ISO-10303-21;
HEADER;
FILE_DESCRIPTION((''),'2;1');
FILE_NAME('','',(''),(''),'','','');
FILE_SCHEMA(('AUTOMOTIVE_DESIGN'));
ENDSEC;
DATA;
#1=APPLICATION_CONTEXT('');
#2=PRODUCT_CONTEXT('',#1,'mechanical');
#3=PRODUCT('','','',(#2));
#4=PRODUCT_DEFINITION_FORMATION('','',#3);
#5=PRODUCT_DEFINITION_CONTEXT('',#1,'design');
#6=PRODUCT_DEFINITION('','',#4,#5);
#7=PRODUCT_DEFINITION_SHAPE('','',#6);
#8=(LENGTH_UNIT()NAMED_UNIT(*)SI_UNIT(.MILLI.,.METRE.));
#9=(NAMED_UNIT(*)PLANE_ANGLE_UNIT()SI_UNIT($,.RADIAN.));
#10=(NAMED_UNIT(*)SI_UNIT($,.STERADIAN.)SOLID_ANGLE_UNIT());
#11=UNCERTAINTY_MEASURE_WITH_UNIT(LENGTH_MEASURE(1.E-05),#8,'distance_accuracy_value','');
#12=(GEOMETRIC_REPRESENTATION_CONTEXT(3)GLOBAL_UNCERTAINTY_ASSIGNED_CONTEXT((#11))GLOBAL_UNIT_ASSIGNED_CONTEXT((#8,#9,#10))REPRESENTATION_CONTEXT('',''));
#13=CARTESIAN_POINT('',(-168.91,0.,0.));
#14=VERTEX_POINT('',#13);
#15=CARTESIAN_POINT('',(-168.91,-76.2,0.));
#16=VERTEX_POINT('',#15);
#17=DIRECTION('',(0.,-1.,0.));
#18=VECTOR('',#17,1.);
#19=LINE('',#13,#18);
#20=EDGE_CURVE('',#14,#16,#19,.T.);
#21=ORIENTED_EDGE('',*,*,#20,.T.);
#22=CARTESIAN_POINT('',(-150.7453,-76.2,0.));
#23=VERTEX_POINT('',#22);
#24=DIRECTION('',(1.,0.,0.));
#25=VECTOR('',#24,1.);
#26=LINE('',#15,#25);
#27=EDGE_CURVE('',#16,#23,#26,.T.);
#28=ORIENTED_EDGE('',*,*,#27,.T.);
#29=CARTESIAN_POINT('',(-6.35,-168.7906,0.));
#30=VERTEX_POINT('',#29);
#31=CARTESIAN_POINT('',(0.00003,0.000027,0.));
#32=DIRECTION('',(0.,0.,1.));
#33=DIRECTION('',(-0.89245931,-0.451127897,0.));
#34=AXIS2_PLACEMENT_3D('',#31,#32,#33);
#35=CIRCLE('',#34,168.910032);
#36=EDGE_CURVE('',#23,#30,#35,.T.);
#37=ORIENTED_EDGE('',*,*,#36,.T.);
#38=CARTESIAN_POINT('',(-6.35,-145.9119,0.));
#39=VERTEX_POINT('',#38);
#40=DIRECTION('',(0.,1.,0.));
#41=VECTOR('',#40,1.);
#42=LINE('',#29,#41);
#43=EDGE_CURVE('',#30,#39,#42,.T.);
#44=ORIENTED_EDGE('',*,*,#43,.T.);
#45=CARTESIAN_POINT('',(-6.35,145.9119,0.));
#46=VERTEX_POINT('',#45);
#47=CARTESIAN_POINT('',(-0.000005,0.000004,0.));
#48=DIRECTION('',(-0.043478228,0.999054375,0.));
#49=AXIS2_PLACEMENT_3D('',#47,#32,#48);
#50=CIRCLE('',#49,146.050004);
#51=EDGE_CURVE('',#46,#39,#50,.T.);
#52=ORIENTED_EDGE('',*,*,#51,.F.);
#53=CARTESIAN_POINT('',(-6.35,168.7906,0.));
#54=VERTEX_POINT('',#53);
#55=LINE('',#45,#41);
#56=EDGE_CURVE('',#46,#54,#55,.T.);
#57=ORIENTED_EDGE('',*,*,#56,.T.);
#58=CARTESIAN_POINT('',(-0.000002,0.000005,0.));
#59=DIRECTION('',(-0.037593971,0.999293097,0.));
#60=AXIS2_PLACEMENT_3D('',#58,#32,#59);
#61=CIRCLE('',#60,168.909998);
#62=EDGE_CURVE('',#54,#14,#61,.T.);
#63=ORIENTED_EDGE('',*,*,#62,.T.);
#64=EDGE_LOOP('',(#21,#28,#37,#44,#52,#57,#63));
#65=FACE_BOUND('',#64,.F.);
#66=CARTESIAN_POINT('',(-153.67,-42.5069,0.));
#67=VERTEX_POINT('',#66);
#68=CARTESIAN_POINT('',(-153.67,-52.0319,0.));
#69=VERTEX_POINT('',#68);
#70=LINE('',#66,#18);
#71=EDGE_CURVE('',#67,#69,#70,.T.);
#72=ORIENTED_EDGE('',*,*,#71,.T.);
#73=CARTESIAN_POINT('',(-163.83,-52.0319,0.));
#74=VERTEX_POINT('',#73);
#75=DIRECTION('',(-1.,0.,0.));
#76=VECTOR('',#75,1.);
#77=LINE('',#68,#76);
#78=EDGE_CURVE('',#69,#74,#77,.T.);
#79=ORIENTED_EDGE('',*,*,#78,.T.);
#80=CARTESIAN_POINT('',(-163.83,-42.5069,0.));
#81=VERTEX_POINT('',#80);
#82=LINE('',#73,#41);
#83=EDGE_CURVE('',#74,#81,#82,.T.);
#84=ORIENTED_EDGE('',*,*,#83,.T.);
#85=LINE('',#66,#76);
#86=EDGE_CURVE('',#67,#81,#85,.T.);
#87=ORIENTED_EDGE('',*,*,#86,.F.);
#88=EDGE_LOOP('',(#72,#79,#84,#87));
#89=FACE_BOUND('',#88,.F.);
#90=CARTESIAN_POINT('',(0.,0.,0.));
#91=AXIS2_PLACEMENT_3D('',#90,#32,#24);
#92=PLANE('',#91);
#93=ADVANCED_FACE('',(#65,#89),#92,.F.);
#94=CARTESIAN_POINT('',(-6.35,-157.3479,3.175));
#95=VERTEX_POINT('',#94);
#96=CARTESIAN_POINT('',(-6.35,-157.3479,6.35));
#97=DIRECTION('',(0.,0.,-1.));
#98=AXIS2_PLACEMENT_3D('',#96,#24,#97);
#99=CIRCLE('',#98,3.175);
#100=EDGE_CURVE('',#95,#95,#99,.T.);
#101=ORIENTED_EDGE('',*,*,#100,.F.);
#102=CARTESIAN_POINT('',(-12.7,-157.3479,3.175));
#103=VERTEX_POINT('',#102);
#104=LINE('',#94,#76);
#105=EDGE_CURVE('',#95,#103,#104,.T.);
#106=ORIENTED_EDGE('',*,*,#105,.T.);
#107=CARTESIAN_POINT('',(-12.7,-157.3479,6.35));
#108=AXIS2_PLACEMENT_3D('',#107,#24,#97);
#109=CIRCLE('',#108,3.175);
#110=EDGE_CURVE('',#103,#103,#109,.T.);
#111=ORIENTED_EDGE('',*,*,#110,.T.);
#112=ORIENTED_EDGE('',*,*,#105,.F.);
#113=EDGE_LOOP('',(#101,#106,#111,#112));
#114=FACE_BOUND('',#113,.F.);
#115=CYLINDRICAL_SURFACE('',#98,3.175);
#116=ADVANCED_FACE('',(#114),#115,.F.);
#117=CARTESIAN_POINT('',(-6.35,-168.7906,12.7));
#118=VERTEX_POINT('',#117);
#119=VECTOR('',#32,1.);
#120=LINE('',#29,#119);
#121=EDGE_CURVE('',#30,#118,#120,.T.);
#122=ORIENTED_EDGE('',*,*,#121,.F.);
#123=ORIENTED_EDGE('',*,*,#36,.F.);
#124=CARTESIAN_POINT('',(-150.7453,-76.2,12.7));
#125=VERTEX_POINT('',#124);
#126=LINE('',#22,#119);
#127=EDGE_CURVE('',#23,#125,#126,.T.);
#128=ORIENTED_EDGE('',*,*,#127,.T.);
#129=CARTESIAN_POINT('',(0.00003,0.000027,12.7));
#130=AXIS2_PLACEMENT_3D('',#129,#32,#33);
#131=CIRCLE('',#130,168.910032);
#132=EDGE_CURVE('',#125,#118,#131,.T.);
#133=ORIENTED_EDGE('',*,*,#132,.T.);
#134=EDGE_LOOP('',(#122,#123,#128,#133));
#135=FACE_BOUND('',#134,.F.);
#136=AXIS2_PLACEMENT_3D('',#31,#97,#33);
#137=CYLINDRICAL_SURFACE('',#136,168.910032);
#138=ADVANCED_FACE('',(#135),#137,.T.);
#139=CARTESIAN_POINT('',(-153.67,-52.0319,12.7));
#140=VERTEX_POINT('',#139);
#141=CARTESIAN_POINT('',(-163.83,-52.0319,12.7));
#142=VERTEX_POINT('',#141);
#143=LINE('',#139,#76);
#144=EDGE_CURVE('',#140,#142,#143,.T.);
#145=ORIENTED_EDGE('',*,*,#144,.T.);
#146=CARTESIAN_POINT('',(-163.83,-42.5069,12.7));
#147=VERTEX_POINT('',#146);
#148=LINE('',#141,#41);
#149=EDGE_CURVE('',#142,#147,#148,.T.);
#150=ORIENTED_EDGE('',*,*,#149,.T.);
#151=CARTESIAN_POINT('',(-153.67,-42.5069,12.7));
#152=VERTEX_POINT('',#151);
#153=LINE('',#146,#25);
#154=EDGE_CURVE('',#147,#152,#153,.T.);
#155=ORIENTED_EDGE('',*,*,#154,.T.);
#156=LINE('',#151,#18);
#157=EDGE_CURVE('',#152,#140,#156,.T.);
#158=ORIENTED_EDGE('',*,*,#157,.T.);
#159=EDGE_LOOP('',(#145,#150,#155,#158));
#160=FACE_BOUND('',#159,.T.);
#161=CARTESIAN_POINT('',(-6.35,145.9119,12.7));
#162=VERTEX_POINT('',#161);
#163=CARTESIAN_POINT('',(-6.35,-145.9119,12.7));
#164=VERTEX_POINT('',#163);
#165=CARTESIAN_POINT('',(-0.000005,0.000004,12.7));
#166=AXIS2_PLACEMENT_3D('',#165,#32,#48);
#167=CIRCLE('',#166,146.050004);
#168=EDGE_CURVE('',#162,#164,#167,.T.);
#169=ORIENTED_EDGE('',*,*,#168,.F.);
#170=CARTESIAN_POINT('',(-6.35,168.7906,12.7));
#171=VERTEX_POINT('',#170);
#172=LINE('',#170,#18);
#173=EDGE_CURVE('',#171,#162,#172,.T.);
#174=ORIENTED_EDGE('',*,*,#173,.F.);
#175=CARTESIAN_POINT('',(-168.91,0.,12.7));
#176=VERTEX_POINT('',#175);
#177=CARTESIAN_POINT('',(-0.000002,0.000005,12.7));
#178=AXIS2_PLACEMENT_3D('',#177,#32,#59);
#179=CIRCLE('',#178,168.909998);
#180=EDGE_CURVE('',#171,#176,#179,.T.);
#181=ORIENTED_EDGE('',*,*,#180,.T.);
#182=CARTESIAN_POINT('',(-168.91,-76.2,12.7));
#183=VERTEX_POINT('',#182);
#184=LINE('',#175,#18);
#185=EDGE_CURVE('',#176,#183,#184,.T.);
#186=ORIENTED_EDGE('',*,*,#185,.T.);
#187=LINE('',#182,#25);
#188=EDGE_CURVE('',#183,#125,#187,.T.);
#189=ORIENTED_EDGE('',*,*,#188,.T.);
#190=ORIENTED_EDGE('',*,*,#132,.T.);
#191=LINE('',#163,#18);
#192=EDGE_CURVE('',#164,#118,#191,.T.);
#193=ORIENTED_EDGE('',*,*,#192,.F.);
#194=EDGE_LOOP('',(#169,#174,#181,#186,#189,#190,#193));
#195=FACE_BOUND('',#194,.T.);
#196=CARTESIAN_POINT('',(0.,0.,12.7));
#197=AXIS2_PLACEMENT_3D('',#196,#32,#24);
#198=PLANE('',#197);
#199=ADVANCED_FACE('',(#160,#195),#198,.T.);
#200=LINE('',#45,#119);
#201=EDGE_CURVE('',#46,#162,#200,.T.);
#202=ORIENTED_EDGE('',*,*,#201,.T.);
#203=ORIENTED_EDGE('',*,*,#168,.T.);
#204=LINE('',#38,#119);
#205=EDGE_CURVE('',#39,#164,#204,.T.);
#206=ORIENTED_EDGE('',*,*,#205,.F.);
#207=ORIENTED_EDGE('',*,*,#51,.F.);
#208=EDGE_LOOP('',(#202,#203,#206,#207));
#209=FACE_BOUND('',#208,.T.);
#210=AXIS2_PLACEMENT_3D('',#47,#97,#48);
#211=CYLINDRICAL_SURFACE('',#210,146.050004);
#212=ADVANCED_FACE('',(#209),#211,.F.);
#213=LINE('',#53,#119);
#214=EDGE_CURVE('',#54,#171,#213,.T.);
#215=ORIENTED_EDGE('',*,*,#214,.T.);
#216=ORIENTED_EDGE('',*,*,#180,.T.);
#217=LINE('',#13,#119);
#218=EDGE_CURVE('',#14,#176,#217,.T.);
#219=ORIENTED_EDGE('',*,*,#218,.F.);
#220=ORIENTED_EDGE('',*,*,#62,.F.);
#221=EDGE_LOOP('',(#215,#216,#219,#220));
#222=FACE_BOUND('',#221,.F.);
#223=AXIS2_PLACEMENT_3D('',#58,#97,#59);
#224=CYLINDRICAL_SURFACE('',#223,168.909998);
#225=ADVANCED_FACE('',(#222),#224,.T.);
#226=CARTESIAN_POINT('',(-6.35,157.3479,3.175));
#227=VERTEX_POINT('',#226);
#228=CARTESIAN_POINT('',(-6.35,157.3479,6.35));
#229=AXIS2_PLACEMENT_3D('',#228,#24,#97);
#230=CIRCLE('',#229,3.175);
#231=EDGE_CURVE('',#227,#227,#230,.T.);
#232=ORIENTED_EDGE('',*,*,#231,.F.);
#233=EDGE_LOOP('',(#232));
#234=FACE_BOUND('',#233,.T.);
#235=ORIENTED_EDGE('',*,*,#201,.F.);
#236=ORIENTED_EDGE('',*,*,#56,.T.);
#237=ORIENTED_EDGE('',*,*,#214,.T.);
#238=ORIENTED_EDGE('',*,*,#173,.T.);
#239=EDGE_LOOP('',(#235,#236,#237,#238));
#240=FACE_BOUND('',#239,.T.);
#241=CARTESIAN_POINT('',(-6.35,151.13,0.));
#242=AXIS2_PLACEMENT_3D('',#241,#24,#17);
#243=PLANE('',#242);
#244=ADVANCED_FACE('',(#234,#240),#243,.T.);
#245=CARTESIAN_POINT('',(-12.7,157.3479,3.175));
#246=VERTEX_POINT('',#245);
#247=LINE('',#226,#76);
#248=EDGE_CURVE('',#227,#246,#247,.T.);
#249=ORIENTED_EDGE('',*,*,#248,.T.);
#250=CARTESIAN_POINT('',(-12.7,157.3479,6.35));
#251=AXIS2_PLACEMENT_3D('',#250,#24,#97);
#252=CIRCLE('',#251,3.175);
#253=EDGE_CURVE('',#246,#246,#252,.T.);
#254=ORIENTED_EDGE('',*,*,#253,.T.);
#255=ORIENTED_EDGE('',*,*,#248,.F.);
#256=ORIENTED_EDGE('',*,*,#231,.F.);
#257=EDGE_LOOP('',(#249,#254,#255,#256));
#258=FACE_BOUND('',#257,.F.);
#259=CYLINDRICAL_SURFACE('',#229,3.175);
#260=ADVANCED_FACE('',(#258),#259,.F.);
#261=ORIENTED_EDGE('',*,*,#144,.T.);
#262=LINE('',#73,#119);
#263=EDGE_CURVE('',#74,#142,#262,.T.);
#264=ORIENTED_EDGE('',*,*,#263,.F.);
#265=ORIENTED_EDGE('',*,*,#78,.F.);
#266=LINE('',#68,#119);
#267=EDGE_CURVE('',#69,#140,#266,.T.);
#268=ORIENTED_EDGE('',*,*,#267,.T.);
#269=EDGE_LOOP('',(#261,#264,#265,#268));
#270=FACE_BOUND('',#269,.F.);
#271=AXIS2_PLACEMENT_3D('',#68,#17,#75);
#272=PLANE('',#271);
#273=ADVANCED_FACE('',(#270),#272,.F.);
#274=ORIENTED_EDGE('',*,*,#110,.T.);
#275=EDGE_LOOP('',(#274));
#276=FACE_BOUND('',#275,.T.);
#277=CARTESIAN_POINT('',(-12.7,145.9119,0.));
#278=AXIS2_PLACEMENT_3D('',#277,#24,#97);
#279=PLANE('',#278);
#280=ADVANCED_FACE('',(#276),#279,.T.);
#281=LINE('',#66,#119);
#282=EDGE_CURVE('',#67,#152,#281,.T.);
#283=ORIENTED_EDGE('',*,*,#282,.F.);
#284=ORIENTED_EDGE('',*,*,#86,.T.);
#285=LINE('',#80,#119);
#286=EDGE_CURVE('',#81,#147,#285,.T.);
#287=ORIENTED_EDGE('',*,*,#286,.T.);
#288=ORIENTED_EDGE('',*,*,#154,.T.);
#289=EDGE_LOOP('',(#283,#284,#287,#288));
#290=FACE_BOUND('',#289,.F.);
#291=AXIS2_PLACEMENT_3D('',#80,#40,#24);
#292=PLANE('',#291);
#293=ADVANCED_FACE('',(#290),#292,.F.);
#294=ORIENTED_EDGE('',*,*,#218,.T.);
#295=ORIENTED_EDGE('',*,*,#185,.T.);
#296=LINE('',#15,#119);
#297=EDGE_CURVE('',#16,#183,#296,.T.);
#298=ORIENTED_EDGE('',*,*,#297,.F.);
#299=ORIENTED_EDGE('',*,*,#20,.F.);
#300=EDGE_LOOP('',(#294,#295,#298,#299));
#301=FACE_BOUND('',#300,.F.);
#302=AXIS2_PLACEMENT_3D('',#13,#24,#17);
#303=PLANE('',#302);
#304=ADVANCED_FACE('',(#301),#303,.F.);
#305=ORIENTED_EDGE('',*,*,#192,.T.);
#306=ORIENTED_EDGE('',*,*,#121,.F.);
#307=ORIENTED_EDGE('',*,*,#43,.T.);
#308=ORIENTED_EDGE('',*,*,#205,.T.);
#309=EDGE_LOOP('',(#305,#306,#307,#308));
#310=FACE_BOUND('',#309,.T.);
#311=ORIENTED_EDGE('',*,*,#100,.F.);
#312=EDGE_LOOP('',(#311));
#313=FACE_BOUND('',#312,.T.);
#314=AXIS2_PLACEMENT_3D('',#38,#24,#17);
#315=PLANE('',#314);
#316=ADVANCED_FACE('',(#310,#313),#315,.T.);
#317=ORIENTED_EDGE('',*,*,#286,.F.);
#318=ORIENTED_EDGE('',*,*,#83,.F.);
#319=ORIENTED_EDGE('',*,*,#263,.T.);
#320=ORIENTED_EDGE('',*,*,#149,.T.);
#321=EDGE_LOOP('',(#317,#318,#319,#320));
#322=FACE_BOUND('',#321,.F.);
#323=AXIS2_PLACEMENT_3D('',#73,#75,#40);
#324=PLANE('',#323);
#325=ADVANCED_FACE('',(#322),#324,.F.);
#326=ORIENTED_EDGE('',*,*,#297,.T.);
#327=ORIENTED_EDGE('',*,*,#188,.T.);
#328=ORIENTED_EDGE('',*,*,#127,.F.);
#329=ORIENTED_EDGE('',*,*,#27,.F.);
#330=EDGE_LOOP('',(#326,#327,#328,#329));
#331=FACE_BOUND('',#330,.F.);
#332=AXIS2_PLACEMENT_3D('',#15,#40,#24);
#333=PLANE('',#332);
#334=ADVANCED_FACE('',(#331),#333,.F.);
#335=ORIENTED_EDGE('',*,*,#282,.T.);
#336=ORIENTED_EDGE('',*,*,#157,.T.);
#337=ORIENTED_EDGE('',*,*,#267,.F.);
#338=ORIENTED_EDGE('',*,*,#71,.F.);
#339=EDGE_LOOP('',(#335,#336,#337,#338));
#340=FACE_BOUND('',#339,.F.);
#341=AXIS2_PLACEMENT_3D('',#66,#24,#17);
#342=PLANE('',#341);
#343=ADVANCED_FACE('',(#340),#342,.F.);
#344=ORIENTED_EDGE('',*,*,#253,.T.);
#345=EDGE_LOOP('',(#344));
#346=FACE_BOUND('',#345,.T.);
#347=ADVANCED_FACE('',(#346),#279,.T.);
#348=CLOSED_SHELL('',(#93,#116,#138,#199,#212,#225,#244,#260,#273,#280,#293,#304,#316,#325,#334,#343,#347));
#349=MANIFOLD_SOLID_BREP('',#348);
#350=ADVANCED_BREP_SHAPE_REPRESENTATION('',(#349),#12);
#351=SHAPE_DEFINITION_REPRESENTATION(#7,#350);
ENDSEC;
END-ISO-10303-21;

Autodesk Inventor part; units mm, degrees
ref_plane "YZ Plane" through (0, 0, 0) normal (1, 0, 0) x (0, 1, 0)
ref_plane "XZ Plane" through (0, 0, 0) normal (0, 1, 0) x (-1, 0, 0)
ref_plane "XY Plane" through (0, 0, 0) normal (0, 0, 1) x (1, 0, 0)
sketch "Sketch1" plane through (0, 0, 0) normal (0, 0, 1) x (1, 0, 0)
  arc A0 (-6.35, 145.9119) -> (0, -146.05) centre (0, 0) ccw
  line L0 (-168.91, 0) -> (168.91, 0) construction
  line L1 (0, -146.05) -> (0, -168.91) construction
  line L2 (-168.91, 0) -> (-168.91, -76.2)
  line L3 (-168.91, -76.2) -> (-150.7453, -76.2)
  line L4 (0, 0) -> (0, -47.2694) construction
  line L5 (0, -47.2694) -> (-158.75, -47.2694) construction
  line L6 (-158.75, -42.5069) -> (-153.67, -42.5069)
  line L7 (-153.67, -42.5069) -> (-153.67, -52.0319)
  line L8 (-153.67, -52.0319) -> (-163.83, -52.0319)
  line L9 (-163.83, -52.0319) -> (-163.83, -42.5069)
  line L10 (-163.83, -42.5069) -> (-158.75, -42.5069)
  arc A1 (-150.7453, -76.2) -> (-6.35, -168.7906) centre (0, 0) ccw
  arc A2 (-6.35, 168.7906) -> (-168.91, 0) centre (0, 0) ccw
  line L11 (-6.35, -145.9119) -> (-6.35, -151.13)
  line L12 (-6.35, -161.29) -> (-6.35, -168.7906)
  line L13 (-6.35, -145.9119) -> (-6.35, -151.13)
  line L14 (-6.35, -161.29) -> (-6.35, -168.7906)
  line L15 (-6.35, 168.7906) -> (-6.35, 161.29)
  line L16 (-6.35, 151.13) -> (-6.35, 145.9119)
  line L17 (-6.35, -168.7906) -> (-6.35, -161.29)
  line L18 (-6.35, -151.13) -> (-6.35, -145.9119)
  line L19 (-6.35, 161.29) -> (-6.35, 151.13)
  line L20 (-6.35, -151.13) -> (-6.35, -161.29)
  point P0 (0, 161.29)
  point P1 (0, -151.13)
  point P2 (0, -161.29)
  dimension "d0" = 292.1
  dimension "d8" = 76.2
  dimension "d9" = 47.2694
  dimension "d10" = 158.75
  dimension "d12" = 4.7625
  dimension "d13" = 5.08
  dimension "d14" = 9.525
  dimension "d15" = 10.16
  dimension "d17" = 5.08
  dimension "d22" = 22.8787
  dimension "d23" = 24.1681
  dimension "d26" = 168.91
extrude "Extrusion1" add sketch "Sketch1" along normal blind 12.7
sketch "Sketch2" plane through (-6.35, 145.9119, 0) normal (1, 0, 0) x (0, 0, -1)
  line L0 (0, 0) -> (0, 22.8787) projected
  line L1 (0, 22.8787) -> (-12.7, 22.8787) projected
  line L2 (0, 0) -> (-12.7, 0) projected
  circle A0 centre (-6.35, 11.436) radius 3.175
  line L3 (0, -145.9119) -> (96.3473, -145.9119) construction
  line L4 (96.3473, -145.9119) -> (-165.7611, -145.9119) construction
  circle A1 centre (-6.35, -303.2598) radius 3.175
  dimension "d27" = 6.35
  dimension "d28" = 11.4427
  dimension "d29" = 6.35
extrude "Extrusion2" cut sketch "Sketch2" against normal blind 6.35
properties part number "TopfemaleHoopSection_v3"
